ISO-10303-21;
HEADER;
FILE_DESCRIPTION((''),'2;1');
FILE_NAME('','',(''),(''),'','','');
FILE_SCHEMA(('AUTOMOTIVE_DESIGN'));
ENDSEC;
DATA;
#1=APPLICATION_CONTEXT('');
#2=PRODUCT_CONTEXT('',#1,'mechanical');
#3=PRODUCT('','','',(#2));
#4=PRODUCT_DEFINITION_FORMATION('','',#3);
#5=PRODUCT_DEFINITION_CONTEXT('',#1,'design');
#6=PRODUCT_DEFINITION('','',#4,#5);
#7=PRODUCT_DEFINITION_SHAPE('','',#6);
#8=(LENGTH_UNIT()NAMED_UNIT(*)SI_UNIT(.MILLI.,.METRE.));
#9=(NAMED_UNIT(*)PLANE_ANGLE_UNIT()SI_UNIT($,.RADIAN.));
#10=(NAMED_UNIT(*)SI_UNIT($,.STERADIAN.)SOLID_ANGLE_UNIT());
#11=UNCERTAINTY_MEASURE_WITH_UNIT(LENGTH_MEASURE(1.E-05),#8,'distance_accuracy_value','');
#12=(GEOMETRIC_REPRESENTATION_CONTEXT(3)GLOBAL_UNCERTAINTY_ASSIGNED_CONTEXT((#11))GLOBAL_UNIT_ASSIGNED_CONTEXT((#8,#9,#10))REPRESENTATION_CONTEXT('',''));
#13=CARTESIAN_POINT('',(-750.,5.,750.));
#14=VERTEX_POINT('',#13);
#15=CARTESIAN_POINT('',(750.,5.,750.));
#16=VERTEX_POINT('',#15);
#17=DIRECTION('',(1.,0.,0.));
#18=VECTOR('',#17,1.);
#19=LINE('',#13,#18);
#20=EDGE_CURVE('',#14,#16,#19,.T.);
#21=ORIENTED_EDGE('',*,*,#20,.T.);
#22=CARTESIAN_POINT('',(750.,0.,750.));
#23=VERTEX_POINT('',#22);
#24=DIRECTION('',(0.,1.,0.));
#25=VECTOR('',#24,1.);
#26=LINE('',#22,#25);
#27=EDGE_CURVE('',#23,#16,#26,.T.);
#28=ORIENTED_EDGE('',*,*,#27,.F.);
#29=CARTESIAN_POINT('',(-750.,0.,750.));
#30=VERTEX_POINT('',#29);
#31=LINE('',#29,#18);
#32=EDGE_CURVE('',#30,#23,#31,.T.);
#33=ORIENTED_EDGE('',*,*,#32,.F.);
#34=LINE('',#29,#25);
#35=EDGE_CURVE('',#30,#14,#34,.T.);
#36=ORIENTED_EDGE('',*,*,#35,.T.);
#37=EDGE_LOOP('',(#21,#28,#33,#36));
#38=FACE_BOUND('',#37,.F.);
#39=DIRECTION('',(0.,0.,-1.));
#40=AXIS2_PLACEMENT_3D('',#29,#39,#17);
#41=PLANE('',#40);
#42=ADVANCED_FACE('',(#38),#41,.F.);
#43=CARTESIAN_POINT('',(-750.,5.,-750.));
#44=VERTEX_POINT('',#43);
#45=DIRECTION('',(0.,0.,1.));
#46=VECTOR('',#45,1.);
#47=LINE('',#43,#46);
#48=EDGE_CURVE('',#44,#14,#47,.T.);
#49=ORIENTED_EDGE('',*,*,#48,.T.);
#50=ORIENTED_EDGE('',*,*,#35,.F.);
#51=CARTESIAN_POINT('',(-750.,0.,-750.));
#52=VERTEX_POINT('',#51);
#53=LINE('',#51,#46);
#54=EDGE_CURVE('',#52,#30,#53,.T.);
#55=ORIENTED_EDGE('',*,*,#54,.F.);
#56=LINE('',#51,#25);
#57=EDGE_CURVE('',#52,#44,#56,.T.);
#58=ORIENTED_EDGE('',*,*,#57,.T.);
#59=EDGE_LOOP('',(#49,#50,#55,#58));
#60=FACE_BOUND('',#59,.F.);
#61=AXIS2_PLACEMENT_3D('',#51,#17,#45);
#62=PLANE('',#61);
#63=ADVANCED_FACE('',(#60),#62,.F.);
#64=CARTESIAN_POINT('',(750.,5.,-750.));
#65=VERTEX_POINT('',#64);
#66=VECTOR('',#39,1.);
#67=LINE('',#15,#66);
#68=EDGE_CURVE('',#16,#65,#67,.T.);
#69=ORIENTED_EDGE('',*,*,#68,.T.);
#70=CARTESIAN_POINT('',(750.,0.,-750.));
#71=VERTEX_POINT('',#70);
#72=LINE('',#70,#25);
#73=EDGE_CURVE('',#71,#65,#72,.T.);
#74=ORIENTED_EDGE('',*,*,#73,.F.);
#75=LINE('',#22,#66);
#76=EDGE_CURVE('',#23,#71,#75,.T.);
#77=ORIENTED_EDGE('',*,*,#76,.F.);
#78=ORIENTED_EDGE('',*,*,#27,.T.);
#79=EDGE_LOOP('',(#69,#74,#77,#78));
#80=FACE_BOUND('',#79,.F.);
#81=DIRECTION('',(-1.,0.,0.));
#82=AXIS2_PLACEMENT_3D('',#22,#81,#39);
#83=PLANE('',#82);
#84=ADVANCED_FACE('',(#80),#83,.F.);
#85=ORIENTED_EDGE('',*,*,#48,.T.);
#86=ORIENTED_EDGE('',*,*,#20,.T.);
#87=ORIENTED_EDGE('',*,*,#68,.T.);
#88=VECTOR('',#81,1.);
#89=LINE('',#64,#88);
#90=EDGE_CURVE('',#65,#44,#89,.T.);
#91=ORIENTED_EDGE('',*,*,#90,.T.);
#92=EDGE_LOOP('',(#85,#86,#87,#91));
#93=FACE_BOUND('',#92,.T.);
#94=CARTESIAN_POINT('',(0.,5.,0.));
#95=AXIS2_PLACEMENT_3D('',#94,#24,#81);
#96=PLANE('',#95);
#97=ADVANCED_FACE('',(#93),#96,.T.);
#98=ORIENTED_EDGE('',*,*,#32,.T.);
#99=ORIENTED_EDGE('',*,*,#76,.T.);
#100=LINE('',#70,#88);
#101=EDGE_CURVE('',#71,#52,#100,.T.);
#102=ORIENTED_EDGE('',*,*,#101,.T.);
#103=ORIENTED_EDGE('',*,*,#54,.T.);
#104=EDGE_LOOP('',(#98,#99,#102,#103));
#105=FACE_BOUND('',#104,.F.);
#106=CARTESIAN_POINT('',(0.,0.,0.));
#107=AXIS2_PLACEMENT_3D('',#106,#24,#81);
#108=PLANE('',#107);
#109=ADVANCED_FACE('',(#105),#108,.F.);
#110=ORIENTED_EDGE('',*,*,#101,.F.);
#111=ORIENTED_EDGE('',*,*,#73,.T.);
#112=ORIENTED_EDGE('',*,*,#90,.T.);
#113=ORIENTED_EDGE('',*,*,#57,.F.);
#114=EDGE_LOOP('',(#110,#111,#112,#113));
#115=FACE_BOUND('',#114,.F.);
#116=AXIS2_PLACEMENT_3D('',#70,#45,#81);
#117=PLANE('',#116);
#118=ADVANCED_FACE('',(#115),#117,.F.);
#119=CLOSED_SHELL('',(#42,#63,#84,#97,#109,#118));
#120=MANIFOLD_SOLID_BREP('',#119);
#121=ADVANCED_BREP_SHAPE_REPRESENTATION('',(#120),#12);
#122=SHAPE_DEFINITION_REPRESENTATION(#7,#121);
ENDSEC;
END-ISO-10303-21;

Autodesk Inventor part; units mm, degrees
ref_plane "YZ Plane" through (0, 0, 0) normal (1, 0, 0) x (0, 1, 0)
ref_plane "XZ Plane" through (0, 0, 0) normal (0, 1, 0) x (-1, 0, 0)
ref_plane "XY Plane" through (0, 0, 0) normal (0, 0, 1) x (1, 0, 0)
sketch "Эскиз1" plane through (0, 0, 0) normal (0, 1, 0) x (-1, 0, 0)
  line L0 (750, 750) -> (-750, 750)
  line L1 (-750, 750) -> (-750, -750)
  line L2 (-750, -750) -> (750, -750)
  line L3 (750, -750) -> (750, 750)
  line L4 (750, 750) -> (-750, -750) construction
  line L5 (-750, 750) -> (750, -750) construction
  point P0 (0, 0)
  dimension "d0" = 1500
  dimension "d1" = 1500
extrude "Пластина1" add sketch "Эскиз1" along normal blind 5
equation "\"d2\" = Толщина"
equation "\"Радиус_гибки\" = Толщина"
equation "\"Ширина_просечки\" = Толщина"
equation "\"Глубина_просечки\" = 0.5 * Толщина"
equation "\"Радиус_перехода\" = Радиус_гибки"
equation "\"Радиус_Якоби\" = Радиус_гибки"
equation "\"Размер_зазора\" = Толщина"
equation "\"Толщина\" = 5"
properties part number "0931_CPY" material "Steel"
